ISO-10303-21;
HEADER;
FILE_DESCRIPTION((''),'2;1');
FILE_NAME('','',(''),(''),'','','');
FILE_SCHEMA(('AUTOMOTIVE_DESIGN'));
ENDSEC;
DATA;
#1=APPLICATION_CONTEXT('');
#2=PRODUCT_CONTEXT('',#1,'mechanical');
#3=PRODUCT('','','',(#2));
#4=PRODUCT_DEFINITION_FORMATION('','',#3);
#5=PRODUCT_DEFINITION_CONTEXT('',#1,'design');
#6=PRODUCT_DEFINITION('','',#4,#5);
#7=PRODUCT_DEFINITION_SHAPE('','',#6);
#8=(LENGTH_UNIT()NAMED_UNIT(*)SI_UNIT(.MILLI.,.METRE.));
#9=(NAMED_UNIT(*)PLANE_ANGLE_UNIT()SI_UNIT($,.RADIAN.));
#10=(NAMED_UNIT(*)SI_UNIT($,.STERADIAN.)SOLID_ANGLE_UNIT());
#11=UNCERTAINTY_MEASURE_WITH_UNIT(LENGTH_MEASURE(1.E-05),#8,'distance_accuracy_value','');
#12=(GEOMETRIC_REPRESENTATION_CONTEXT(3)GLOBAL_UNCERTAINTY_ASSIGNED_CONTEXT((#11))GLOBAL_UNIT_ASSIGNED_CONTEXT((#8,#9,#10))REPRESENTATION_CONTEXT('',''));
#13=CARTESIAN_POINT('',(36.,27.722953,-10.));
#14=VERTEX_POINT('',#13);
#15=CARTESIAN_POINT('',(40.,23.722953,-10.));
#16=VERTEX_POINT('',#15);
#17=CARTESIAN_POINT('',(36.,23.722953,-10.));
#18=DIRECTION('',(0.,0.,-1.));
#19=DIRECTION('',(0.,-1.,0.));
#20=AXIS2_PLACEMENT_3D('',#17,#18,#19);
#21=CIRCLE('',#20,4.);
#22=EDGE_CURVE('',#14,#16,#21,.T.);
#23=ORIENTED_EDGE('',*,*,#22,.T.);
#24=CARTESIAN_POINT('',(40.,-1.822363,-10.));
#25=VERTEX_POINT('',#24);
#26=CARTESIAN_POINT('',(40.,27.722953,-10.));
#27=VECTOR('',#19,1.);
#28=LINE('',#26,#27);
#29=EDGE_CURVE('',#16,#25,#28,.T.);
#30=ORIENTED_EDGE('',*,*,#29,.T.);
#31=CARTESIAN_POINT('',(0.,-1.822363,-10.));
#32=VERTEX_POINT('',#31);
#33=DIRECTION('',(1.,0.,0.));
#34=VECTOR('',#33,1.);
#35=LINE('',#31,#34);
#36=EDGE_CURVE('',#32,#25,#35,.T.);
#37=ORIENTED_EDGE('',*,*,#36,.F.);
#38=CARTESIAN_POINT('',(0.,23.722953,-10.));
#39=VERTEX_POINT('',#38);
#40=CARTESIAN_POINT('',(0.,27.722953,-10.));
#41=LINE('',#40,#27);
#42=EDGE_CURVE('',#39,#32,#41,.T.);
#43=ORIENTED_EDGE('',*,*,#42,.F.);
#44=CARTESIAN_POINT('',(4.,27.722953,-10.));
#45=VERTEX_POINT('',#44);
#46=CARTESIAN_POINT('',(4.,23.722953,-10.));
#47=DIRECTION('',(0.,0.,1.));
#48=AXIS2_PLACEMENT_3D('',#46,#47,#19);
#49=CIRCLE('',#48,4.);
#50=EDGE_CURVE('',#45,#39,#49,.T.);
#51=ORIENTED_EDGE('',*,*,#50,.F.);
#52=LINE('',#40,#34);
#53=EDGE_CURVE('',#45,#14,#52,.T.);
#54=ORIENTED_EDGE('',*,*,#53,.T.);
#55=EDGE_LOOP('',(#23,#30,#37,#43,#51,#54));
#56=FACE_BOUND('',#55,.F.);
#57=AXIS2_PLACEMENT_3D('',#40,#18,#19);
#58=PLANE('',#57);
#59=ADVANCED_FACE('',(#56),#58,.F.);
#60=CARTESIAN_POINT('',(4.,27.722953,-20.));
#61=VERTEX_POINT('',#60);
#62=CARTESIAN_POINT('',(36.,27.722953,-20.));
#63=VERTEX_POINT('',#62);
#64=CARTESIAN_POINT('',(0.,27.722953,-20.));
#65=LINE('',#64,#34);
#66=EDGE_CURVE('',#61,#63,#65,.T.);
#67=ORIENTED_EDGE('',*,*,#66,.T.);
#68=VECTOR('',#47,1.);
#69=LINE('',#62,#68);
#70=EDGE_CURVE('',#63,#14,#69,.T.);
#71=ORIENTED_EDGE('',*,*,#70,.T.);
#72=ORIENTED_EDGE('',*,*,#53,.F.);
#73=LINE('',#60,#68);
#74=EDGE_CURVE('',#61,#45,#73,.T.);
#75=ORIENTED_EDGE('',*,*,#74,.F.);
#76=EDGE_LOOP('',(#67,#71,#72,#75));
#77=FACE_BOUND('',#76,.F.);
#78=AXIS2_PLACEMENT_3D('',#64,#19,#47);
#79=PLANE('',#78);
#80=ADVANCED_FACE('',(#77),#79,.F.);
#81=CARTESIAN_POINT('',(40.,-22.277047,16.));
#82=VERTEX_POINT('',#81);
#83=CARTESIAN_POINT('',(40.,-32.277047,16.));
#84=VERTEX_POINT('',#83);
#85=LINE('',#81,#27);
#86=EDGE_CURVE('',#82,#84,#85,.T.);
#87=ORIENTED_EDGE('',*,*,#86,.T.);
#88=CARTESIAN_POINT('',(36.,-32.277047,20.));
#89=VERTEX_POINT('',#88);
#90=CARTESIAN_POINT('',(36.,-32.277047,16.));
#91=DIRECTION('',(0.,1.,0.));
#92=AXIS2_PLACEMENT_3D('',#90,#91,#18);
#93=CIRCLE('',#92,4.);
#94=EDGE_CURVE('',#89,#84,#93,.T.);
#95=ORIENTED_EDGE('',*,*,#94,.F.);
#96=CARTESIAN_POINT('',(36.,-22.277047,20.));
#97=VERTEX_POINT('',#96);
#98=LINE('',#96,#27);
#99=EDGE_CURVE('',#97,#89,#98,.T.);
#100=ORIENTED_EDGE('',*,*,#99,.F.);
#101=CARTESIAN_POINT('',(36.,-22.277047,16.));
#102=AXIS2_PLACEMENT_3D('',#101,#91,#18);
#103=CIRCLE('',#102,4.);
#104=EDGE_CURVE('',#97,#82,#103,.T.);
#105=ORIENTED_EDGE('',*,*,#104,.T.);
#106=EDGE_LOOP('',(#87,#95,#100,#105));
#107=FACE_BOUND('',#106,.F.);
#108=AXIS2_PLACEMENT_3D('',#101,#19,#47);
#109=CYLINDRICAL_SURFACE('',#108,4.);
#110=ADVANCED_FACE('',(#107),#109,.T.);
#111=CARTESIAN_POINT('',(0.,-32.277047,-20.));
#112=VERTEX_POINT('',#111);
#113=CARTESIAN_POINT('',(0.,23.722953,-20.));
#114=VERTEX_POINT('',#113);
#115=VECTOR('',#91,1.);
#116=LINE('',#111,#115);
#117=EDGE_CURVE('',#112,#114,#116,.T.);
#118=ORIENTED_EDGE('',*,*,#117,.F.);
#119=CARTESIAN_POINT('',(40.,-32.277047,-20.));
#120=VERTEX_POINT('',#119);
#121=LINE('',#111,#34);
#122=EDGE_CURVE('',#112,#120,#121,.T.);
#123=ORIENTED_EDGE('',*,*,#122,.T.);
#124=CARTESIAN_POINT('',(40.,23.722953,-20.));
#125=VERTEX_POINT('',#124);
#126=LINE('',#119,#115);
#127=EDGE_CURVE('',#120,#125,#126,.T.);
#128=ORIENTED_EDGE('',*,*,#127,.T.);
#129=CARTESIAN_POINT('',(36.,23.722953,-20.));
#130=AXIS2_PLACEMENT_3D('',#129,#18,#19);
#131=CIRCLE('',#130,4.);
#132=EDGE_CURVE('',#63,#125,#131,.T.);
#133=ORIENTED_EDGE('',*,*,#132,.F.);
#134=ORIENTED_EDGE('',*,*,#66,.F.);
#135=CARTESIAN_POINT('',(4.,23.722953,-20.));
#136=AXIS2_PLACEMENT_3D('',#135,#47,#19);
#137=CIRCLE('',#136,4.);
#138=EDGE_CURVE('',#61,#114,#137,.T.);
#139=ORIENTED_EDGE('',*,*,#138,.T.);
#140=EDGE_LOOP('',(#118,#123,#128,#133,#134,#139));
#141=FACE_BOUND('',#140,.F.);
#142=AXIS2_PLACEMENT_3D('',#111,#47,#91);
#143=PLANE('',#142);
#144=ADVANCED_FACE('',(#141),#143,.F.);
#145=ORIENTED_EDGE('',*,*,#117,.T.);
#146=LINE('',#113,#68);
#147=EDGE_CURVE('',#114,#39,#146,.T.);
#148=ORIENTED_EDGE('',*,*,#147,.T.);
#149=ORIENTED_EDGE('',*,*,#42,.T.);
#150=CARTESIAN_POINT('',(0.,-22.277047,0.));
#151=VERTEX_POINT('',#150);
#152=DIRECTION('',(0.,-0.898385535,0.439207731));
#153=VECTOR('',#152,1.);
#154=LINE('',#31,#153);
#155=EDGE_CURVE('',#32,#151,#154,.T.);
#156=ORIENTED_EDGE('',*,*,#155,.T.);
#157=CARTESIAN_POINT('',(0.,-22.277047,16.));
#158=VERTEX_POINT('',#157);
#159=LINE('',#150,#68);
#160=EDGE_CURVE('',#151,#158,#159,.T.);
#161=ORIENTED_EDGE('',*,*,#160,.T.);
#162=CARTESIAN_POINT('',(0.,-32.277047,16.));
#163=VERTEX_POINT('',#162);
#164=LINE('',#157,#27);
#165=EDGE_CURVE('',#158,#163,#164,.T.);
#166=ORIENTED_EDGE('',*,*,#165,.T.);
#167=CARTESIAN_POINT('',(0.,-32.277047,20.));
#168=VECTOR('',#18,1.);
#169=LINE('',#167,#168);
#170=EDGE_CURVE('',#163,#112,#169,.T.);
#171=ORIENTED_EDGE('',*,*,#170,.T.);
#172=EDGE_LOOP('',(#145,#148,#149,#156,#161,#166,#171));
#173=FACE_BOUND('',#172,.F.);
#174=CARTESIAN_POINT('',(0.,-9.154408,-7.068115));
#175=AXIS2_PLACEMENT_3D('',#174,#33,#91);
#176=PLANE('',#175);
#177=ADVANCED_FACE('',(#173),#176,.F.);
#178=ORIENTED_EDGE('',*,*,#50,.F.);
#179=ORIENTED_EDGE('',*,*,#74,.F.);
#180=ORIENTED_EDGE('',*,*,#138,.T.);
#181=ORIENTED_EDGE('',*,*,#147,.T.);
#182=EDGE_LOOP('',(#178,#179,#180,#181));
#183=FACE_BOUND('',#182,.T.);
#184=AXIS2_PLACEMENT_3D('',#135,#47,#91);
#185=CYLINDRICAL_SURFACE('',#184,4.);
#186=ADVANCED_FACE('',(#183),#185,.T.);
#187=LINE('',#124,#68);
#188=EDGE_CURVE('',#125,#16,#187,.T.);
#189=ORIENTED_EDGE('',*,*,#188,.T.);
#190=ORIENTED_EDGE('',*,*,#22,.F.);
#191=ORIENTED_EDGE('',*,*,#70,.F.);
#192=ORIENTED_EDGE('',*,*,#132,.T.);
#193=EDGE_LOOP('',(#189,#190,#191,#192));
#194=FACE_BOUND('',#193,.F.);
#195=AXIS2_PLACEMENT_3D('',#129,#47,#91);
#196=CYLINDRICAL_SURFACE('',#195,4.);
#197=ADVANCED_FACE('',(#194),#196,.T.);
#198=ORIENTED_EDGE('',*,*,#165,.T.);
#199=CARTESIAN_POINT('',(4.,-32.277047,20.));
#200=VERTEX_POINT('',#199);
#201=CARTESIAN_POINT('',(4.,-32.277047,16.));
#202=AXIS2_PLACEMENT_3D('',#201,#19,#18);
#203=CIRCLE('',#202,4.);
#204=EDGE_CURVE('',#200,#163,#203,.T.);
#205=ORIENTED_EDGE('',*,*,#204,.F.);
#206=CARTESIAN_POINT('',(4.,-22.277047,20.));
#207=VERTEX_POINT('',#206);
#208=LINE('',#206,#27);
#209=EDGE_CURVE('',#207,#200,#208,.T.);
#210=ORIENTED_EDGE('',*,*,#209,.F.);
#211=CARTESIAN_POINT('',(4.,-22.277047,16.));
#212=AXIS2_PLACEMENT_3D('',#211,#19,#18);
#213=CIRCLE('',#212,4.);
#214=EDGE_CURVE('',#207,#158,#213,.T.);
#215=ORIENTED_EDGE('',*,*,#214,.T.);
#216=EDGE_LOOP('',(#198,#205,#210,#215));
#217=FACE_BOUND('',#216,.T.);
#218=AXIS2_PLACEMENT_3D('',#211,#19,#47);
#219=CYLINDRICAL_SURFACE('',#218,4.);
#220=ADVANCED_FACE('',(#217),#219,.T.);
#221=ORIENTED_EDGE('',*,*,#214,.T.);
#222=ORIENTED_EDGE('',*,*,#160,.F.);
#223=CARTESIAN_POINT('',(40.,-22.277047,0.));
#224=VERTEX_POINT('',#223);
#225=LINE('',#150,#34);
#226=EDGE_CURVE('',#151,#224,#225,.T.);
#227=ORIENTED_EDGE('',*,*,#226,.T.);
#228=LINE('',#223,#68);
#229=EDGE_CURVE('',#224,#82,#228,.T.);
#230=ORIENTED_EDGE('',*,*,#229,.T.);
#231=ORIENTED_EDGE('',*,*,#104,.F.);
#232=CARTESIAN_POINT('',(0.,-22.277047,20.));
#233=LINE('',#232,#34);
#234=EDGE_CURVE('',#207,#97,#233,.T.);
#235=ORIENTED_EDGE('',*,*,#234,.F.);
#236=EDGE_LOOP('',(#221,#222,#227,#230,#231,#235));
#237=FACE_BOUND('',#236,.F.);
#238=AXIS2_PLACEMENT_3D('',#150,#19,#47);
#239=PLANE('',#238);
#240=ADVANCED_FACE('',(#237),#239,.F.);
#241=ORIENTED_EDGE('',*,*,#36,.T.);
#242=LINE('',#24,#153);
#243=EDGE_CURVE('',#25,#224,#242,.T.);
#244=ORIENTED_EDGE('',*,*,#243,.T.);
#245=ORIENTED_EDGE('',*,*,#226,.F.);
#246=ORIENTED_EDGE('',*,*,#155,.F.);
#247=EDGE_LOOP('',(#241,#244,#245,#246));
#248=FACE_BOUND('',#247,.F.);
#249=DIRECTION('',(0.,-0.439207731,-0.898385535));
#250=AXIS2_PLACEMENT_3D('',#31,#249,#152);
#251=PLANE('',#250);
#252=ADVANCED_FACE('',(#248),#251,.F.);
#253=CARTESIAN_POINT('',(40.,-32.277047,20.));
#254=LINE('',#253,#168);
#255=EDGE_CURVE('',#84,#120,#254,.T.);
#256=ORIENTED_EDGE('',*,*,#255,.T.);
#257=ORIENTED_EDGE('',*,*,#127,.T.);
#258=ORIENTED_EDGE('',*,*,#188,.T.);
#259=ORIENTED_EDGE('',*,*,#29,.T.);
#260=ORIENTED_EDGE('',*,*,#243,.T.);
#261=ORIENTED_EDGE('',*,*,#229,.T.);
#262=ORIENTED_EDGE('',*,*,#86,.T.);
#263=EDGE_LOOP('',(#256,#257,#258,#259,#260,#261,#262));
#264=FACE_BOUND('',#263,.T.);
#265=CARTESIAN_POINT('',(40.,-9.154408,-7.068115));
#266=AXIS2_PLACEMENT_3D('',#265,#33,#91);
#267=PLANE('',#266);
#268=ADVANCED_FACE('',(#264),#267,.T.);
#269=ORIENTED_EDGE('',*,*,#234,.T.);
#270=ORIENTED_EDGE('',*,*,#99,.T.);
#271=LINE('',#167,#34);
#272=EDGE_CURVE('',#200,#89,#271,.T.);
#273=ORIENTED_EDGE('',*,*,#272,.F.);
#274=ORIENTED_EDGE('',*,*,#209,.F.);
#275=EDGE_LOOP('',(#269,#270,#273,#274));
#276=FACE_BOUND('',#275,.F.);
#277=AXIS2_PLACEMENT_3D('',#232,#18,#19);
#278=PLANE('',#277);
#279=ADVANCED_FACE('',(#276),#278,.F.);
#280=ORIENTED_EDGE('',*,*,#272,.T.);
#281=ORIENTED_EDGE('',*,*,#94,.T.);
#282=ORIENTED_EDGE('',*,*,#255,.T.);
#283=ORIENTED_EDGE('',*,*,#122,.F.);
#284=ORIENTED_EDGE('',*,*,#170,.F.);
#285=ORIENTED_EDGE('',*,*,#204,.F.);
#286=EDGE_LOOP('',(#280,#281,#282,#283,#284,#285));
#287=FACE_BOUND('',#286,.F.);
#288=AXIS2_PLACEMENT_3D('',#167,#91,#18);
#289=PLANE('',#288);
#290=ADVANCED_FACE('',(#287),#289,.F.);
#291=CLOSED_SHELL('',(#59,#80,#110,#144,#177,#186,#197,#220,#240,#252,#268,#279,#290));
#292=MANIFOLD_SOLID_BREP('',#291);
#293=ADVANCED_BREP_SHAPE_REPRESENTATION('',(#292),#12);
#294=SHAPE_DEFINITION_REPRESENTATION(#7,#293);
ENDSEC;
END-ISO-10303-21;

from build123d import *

# Parameters (mm, degrees)
F1_DEPTH = 40
F2_R     = 4


with BuildPart() as f1:
    # F0 (on Right) → F1 (new body)
    with BuildSketch(Plane.YZ):
        Polygon((-32.277047, 20), (-32.277047, -20), (27.722953, -20), (27.722953, -10), (-1.822363, -10), (-22.277047, 0), (-22.277047, 20), align=None)
    extrude(amount=F1_DEPTH)

    # F2
    f2_edges = [f1.edges().sort_by_distance(p)[0] for p in [
        (40, -27.277047, 20),
        (0, -27.277047, 20),
        (40, 27.722953, -15),
        (0, 27.722953, -15),
    ]]
    fillet(f2_edges, radius=F2_R)


solid = f1.part
